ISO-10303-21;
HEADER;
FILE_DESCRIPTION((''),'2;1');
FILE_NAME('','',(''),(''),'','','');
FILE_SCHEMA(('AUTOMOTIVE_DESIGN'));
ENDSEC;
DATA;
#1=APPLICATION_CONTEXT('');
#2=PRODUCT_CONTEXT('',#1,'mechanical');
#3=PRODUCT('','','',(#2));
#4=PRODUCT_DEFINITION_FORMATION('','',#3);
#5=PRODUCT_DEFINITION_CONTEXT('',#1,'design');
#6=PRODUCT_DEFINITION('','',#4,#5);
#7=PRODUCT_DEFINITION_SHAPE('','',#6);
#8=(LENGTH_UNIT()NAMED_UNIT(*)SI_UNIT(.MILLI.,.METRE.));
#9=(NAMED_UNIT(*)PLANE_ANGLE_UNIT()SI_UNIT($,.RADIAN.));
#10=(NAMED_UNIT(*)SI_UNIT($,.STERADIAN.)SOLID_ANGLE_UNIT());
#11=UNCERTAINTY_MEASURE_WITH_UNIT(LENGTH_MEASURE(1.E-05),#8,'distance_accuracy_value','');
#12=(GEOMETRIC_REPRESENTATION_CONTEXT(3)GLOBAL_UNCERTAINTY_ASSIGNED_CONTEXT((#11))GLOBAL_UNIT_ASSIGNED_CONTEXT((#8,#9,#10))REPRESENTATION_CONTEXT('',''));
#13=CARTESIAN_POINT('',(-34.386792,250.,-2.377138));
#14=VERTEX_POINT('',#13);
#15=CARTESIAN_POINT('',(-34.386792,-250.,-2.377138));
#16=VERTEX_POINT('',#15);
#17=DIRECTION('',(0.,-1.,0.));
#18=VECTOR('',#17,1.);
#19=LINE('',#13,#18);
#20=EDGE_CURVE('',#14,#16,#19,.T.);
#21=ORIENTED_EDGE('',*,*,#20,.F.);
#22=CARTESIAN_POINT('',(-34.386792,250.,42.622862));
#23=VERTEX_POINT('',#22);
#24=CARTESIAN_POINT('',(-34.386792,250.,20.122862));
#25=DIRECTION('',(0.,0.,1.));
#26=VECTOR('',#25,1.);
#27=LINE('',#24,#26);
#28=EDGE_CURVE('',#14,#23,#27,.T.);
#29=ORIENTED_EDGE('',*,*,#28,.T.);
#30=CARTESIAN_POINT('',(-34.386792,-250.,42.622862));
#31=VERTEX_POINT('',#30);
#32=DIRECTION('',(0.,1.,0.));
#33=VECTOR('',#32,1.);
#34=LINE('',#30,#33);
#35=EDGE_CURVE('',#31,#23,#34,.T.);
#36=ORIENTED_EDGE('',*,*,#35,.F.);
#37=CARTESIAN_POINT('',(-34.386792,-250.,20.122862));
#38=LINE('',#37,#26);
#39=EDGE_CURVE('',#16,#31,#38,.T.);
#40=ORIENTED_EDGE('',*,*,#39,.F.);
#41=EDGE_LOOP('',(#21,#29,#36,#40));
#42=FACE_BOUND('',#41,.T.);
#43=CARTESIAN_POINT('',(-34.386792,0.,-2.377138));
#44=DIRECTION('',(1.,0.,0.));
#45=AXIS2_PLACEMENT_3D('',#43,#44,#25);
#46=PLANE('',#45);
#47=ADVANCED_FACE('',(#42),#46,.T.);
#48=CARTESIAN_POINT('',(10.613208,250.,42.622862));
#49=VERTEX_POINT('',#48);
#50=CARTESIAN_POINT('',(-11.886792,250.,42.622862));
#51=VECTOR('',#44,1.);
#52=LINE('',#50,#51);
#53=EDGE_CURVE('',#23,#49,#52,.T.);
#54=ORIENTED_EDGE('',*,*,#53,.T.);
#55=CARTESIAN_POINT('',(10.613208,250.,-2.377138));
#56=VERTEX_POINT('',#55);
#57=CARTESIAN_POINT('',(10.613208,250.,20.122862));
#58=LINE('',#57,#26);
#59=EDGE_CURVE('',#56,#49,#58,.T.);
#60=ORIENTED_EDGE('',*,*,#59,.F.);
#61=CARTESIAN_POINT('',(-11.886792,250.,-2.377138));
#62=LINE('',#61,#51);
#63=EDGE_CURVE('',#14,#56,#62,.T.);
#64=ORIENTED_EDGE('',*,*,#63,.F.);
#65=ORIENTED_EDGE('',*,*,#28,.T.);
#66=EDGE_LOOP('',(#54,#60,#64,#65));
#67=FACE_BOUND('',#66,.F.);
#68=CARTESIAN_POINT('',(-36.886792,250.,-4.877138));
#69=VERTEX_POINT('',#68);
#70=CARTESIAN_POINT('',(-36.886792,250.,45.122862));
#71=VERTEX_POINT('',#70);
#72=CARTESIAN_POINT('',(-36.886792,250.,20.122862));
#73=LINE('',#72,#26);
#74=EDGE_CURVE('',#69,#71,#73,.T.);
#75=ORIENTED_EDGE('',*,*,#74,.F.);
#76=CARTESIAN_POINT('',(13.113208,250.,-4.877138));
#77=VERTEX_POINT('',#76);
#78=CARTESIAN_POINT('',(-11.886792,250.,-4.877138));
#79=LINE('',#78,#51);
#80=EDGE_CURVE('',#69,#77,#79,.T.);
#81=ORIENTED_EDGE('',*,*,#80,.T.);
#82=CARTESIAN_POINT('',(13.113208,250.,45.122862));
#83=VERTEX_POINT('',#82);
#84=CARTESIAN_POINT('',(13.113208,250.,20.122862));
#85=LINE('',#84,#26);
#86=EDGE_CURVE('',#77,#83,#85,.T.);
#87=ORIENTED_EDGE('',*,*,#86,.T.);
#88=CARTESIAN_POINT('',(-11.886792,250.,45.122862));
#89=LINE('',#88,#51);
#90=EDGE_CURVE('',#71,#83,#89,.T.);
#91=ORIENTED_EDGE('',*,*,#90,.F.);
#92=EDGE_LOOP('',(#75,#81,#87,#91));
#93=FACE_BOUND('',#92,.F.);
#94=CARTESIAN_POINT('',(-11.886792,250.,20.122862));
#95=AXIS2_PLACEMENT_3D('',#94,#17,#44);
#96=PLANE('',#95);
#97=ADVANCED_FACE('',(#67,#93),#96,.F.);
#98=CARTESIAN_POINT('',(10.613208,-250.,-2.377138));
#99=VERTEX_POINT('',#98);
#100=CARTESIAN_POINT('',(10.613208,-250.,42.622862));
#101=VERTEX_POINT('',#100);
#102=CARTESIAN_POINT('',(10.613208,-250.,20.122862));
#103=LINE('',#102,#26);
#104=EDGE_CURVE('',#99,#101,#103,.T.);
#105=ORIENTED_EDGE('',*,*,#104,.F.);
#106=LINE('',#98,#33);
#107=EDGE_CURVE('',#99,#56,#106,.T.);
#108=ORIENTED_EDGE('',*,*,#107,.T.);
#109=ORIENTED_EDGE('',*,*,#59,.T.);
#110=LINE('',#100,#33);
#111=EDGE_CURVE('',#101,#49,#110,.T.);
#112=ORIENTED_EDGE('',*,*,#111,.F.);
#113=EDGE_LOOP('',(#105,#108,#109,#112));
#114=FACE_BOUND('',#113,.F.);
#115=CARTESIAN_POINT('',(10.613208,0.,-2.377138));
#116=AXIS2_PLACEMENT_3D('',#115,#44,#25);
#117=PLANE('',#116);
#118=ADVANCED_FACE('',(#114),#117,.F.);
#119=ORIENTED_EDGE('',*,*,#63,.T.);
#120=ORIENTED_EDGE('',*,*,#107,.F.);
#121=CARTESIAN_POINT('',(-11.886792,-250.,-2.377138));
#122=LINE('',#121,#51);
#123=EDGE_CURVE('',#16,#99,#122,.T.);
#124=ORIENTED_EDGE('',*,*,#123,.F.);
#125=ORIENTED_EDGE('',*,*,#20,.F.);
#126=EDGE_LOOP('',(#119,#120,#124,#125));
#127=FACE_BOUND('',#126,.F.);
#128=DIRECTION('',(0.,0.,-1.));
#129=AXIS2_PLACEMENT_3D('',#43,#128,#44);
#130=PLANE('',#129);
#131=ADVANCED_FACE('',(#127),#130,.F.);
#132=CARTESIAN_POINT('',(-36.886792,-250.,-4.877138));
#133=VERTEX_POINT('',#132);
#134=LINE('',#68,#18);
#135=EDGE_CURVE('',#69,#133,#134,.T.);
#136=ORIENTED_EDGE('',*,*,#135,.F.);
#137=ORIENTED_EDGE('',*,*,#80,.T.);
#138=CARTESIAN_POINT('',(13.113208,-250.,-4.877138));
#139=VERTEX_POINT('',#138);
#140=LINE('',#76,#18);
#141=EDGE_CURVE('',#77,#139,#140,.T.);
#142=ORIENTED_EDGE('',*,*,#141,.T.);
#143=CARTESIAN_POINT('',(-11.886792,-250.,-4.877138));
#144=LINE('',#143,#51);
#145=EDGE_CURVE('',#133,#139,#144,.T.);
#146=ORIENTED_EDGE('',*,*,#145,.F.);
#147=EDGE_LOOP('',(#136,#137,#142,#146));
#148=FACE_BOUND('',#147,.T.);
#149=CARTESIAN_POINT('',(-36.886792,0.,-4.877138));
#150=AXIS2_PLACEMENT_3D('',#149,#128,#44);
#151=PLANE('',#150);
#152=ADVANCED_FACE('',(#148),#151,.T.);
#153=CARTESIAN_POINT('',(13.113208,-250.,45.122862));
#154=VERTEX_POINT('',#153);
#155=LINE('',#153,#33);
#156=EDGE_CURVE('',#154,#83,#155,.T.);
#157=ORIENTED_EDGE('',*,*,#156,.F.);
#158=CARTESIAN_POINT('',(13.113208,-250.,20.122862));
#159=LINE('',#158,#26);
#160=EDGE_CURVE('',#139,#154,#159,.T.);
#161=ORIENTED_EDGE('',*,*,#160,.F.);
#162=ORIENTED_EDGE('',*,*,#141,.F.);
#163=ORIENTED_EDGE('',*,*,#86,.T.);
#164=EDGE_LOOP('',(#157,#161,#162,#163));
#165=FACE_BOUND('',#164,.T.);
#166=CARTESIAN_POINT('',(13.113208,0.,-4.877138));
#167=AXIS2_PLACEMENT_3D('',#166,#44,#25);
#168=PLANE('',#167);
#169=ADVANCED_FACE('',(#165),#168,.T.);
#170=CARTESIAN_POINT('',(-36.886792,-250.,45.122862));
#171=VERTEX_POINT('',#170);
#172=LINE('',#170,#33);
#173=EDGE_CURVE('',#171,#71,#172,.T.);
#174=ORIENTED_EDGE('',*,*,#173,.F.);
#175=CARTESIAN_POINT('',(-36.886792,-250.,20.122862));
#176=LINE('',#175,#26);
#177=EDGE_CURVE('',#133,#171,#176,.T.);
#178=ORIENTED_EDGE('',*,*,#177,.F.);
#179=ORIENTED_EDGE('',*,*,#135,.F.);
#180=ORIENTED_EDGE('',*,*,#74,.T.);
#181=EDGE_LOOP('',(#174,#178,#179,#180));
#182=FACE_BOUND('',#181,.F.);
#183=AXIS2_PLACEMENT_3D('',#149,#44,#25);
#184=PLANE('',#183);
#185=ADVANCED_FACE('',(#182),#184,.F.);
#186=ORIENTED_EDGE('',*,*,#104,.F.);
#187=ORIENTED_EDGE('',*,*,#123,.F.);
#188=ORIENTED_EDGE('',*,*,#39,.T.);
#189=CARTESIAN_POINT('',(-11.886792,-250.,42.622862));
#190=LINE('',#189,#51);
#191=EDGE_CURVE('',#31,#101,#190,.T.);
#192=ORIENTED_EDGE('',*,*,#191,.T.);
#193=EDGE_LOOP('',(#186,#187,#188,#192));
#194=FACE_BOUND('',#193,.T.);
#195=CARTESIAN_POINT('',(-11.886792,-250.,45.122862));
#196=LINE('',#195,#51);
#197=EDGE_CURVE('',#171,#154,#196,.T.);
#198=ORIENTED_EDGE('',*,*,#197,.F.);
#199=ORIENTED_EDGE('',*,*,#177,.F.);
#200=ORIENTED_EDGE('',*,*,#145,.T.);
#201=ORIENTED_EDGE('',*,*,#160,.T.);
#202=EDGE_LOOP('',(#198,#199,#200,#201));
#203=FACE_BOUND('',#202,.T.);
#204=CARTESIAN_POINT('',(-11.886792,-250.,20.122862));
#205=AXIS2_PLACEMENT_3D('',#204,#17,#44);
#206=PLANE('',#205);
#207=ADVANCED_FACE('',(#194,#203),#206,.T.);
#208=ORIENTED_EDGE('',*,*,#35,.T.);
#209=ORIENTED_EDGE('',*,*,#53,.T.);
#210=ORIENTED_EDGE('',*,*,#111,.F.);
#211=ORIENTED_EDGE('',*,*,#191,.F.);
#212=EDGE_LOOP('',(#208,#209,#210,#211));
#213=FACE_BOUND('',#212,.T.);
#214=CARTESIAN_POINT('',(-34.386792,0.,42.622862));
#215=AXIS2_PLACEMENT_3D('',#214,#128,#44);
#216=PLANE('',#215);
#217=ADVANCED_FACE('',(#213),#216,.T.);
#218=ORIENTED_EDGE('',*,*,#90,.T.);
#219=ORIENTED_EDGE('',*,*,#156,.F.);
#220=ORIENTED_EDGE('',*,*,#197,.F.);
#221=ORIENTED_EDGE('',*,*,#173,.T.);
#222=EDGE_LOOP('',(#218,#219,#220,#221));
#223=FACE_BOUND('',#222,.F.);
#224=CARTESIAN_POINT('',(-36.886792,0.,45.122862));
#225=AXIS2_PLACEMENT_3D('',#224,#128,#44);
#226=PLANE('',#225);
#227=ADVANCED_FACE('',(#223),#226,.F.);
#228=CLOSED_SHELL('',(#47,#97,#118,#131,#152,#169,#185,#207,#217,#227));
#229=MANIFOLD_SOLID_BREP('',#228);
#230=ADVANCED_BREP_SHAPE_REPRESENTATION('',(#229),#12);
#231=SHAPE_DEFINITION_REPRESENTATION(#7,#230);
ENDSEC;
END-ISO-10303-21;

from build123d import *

# Parameters (mm, degrees)
F0_W     = 50
F0_H     = 50
F0_W_2   = 45
F0_H_2   = 45
F1_DEPTH = 250


with BuildPart() as f1:
    # F0 (on Front) → F1 (new body, symmetric)
    with BuildSketch(Plane.XZ):
        with Locations((-11.886792, 20.122862)):
            Rectangle(F0_W, F0_H)
        with Locations((-11.886792, 20.122862)):
            Rectangle(F0_W_2, F0_H_2, mode=Mode.SUBTRACT)
    extrude(amount=F1_DEPTH, both=True)


solid = f1.part
